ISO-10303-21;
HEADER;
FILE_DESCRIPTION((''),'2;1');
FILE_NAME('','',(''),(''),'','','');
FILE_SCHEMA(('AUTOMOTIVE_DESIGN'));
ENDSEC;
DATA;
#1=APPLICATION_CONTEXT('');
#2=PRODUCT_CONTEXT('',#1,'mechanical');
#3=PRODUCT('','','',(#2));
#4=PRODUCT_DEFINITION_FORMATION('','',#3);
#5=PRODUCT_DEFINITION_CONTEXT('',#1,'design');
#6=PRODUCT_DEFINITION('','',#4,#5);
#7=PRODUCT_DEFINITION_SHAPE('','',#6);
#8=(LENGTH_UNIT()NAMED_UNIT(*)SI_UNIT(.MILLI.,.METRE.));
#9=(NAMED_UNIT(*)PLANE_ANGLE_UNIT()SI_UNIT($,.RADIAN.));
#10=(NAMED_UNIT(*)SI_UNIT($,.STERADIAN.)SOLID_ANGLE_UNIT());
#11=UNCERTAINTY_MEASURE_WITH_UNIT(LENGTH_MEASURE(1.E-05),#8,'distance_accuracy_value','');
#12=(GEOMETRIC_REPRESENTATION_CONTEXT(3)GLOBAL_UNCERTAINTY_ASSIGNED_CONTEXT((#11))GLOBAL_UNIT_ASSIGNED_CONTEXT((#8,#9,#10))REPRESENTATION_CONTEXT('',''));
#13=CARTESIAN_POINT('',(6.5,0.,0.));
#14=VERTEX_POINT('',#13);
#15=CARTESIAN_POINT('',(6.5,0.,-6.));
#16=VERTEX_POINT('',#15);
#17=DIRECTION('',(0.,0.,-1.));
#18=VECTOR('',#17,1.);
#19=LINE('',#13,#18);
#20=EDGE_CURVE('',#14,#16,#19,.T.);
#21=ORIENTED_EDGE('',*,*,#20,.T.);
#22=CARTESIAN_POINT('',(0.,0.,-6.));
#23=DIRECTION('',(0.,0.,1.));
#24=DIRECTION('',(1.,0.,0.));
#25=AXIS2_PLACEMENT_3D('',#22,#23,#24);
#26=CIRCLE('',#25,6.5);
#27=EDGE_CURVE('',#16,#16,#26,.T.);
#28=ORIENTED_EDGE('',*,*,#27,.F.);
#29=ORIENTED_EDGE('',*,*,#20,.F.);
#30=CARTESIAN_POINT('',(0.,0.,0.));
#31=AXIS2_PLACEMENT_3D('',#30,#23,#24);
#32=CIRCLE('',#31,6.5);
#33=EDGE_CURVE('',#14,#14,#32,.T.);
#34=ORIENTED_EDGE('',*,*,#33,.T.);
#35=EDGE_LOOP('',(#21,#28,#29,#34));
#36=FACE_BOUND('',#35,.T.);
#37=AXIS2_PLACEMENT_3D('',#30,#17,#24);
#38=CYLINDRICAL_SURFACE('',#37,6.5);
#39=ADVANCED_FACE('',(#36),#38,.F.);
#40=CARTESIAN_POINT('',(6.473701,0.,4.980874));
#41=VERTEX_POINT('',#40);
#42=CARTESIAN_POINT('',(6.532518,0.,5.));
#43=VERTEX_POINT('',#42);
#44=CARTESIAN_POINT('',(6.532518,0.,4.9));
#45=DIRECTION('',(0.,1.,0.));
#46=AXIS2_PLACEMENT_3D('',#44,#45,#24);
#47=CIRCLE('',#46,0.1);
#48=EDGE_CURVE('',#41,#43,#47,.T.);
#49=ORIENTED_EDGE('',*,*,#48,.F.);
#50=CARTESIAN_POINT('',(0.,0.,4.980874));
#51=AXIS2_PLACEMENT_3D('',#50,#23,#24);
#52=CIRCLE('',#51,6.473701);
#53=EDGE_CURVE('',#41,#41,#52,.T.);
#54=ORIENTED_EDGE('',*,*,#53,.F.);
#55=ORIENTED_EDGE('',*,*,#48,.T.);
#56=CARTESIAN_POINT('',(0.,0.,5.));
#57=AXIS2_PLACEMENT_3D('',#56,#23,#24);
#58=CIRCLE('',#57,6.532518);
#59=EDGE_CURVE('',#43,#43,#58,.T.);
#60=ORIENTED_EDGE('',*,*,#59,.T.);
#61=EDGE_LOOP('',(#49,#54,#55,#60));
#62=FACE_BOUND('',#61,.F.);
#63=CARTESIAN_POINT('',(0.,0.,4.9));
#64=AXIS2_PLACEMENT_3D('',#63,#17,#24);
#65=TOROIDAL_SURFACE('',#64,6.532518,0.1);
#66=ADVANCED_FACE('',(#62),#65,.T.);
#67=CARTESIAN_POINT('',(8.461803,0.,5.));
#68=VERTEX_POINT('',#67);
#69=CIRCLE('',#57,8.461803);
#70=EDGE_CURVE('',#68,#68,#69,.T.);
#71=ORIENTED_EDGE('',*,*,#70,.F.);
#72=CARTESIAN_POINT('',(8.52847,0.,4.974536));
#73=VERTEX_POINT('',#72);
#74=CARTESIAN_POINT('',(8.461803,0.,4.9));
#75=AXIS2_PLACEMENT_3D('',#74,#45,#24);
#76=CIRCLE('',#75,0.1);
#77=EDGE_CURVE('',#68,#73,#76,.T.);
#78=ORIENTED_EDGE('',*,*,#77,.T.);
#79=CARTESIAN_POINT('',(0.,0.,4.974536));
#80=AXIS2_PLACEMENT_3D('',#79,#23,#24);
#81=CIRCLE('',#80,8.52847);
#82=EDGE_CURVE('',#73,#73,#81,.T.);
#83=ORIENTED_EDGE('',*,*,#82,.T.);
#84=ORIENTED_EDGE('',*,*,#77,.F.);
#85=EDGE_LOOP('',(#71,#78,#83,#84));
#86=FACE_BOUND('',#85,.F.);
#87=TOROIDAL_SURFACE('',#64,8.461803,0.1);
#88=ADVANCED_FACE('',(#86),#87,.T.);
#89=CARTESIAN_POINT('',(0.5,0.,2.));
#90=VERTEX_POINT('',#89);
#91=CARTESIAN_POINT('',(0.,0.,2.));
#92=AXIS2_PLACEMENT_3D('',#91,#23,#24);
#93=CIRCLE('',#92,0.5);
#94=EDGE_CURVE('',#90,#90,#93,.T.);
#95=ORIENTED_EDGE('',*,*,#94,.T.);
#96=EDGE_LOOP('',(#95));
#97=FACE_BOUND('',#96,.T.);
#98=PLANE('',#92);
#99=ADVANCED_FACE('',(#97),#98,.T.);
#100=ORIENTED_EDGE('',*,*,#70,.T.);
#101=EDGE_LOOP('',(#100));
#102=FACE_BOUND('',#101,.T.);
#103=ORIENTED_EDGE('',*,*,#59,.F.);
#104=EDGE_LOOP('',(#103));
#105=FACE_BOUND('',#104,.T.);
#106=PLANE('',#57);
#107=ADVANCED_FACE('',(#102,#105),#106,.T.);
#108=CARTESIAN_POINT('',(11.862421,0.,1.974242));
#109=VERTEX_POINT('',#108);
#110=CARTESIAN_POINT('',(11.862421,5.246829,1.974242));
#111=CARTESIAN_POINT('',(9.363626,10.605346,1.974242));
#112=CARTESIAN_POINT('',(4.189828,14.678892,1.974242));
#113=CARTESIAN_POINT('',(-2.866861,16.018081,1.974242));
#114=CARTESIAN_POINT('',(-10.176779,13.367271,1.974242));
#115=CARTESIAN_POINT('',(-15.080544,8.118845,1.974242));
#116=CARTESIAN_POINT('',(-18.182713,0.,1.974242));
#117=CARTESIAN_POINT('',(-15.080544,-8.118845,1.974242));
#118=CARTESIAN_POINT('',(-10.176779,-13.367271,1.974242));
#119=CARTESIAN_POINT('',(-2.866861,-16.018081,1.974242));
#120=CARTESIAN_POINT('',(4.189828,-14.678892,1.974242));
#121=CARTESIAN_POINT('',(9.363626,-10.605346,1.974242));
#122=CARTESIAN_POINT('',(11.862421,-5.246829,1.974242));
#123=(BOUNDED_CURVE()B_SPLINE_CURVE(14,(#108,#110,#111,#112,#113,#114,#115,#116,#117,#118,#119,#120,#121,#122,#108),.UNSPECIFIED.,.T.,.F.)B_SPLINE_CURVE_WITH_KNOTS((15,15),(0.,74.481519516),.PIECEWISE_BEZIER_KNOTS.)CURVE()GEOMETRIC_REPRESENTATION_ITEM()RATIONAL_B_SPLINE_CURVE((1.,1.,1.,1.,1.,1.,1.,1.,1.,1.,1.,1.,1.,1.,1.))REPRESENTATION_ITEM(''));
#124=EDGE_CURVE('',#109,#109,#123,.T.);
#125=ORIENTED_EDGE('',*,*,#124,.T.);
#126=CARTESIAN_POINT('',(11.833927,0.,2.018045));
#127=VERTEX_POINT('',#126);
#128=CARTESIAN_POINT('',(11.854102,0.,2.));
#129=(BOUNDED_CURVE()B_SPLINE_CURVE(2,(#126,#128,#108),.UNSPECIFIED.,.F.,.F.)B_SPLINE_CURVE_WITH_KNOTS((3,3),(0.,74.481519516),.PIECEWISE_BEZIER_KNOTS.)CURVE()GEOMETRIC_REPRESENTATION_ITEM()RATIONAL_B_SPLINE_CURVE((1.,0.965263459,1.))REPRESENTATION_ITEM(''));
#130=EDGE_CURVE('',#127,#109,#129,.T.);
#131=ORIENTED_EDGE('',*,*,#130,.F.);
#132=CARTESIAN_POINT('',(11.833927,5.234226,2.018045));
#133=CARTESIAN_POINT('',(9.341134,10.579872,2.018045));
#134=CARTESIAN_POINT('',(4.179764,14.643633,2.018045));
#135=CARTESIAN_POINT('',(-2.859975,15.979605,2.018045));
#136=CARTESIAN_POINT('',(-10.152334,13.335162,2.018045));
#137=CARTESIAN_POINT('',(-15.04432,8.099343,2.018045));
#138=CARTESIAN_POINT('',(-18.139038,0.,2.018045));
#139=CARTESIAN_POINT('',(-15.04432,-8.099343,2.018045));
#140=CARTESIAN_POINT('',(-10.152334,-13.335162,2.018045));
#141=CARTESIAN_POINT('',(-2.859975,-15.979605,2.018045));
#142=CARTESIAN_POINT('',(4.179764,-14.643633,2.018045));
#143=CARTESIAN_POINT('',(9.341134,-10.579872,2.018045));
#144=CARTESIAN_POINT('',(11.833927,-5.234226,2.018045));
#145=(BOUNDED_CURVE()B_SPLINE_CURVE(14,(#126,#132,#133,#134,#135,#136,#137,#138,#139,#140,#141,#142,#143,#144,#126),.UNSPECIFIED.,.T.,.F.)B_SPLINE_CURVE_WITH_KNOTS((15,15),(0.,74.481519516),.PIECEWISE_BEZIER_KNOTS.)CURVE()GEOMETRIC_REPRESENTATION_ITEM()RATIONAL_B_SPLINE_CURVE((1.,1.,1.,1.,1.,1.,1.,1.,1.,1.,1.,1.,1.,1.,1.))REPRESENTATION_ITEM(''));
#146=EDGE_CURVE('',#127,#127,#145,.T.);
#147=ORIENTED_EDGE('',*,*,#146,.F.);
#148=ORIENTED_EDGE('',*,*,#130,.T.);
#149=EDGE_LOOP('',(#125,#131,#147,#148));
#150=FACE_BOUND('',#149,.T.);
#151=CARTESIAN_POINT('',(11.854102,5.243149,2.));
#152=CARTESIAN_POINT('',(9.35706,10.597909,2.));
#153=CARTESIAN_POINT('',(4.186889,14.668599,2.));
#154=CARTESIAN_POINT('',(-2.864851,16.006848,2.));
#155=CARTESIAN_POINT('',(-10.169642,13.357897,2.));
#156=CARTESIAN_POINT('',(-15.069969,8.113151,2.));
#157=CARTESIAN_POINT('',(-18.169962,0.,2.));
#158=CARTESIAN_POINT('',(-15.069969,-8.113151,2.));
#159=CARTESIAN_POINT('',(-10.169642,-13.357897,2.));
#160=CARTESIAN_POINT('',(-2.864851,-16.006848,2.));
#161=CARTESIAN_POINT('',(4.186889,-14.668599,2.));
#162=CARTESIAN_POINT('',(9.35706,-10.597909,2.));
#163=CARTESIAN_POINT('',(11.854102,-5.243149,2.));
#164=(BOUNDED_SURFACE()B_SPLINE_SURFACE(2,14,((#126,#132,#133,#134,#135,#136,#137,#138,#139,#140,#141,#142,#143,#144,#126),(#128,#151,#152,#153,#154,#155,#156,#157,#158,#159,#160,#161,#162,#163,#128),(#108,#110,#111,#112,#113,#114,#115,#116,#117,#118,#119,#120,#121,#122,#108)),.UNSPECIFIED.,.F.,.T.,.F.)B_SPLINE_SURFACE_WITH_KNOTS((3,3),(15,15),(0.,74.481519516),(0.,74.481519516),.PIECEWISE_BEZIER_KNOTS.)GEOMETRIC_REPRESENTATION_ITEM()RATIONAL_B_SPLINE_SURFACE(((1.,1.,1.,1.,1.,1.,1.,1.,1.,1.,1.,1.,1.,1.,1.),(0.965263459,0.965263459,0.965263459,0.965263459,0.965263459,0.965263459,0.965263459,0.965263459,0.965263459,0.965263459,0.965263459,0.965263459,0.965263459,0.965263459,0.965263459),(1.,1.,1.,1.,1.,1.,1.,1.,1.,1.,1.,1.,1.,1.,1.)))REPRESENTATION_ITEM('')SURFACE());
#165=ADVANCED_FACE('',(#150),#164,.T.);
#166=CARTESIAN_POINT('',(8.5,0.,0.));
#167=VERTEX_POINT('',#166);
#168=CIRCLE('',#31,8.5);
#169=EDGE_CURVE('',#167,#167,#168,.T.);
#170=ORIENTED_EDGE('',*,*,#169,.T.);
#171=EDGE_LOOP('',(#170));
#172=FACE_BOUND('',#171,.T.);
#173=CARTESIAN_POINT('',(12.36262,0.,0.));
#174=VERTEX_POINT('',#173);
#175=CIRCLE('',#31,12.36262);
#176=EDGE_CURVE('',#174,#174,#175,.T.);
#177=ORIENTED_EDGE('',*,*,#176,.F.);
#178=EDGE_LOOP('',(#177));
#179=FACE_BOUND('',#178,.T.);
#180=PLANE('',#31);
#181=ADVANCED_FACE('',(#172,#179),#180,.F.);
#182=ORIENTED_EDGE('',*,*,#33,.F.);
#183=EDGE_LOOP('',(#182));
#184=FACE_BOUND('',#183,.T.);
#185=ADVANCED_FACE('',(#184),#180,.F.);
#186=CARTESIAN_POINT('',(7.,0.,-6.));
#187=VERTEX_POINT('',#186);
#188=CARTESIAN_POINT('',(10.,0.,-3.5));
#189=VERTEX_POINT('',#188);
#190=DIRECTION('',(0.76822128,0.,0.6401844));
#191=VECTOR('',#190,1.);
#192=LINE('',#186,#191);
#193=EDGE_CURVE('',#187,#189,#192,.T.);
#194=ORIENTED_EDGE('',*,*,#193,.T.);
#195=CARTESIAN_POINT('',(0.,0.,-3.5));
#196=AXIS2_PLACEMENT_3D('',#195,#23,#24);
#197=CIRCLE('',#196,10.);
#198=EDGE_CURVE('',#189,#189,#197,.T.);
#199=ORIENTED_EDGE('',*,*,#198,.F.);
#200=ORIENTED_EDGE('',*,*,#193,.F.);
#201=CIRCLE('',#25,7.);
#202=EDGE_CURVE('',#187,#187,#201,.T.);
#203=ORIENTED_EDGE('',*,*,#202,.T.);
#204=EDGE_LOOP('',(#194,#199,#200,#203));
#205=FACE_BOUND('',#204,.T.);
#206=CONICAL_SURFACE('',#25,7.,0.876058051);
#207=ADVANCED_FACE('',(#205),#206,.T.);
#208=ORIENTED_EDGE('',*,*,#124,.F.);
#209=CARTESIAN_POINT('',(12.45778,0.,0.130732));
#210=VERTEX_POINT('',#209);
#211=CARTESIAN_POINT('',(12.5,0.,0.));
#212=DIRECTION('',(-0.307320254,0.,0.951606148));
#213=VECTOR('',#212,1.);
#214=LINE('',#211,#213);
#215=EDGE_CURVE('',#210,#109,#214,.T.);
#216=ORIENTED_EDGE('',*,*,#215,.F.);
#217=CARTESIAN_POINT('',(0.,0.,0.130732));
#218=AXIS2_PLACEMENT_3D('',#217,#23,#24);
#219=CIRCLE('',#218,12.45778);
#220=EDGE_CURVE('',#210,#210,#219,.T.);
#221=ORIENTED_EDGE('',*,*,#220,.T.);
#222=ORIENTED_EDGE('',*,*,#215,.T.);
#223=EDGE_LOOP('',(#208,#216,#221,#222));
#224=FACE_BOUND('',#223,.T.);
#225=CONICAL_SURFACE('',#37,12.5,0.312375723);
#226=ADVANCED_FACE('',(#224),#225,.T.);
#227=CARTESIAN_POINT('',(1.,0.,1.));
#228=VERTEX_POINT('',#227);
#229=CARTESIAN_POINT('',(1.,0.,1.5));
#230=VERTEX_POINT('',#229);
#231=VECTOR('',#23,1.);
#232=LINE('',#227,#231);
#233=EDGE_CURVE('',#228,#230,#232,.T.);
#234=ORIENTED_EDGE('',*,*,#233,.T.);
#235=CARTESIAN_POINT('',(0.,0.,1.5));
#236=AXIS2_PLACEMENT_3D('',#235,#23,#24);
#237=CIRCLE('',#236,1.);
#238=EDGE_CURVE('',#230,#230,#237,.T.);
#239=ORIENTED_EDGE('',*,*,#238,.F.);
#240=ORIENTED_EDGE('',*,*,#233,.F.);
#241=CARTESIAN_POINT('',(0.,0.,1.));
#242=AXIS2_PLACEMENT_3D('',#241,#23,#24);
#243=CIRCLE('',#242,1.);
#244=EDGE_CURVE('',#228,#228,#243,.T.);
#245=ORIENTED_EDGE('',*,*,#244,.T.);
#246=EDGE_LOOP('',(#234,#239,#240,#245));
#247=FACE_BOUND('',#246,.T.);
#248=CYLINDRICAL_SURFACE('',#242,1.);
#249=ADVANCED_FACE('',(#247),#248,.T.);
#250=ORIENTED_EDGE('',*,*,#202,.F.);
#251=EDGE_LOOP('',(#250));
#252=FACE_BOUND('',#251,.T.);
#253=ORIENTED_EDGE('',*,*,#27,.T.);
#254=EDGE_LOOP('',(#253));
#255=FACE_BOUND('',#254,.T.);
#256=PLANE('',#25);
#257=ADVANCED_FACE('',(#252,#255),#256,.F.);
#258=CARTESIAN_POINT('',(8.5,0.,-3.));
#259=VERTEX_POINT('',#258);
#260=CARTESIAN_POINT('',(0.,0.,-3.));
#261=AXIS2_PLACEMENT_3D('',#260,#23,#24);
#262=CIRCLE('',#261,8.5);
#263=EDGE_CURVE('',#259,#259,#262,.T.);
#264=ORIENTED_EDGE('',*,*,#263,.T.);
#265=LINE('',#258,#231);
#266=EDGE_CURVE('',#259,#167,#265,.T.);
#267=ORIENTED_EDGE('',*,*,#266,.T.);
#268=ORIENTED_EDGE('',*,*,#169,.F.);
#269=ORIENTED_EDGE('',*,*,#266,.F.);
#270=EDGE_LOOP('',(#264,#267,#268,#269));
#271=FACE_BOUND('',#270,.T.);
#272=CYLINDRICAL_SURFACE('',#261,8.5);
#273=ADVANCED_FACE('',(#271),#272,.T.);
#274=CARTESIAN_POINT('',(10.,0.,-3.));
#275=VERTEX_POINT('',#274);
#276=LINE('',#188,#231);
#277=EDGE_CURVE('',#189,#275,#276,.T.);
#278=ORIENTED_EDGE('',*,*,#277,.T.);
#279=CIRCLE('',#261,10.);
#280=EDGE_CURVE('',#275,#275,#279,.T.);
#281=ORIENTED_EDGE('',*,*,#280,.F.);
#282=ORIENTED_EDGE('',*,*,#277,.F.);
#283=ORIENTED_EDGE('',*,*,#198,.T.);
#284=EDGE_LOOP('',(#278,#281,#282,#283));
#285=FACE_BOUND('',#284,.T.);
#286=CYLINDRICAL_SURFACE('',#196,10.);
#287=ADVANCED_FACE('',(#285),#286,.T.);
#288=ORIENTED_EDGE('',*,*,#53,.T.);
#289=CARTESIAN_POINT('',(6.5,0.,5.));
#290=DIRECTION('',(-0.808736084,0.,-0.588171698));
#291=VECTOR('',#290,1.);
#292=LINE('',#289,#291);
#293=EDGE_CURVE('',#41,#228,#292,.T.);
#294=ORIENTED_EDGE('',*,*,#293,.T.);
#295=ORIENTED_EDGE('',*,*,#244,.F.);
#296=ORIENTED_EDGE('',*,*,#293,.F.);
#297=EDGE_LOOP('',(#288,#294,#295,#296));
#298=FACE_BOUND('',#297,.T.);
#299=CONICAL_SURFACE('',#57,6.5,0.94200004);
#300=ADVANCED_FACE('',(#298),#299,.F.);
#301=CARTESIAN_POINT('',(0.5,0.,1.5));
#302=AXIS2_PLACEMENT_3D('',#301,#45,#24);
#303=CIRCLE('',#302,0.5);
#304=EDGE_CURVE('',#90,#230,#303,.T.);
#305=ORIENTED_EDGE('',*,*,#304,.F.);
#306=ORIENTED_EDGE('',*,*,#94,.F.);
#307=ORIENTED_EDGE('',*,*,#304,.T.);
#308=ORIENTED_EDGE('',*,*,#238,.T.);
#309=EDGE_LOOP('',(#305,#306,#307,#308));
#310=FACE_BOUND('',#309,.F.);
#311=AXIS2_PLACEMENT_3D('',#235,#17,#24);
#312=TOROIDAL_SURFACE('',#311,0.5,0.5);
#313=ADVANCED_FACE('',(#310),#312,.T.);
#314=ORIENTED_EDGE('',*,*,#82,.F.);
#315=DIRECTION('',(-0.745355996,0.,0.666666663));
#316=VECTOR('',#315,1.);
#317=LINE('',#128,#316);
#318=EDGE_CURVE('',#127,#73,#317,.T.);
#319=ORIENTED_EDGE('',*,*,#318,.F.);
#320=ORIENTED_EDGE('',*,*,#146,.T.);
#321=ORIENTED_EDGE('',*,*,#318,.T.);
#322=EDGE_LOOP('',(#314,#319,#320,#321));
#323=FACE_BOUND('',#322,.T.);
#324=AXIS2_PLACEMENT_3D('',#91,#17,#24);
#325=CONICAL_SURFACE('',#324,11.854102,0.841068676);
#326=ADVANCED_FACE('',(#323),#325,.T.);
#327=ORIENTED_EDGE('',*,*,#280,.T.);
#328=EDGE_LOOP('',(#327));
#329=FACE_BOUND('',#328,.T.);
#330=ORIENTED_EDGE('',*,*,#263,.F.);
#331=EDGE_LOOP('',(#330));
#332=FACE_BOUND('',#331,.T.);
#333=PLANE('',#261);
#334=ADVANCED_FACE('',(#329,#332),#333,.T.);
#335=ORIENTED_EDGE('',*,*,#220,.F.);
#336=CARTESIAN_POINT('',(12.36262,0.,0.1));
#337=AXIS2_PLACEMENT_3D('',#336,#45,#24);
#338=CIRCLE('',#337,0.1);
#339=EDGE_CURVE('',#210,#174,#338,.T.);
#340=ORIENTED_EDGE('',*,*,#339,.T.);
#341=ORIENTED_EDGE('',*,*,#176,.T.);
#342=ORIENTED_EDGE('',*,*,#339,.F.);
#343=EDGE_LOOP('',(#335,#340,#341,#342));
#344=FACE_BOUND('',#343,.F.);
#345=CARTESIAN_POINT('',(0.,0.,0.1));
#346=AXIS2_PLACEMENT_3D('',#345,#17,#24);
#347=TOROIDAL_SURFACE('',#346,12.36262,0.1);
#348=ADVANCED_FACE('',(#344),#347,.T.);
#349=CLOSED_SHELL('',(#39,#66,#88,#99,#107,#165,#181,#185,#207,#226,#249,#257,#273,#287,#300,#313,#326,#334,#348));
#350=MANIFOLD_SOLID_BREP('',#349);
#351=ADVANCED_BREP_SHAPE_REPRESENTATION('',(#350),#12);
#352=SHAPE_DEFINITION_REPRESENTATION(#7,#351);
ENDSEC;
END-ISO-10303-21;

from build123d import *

# Parameters (mm, degrees)
F2_R = 0.5
F3_R = 0.1


with BuildPart() as f1:
    # F0 (on Front) → F1 (revolve)
    with BuildSketch(Plane.XZ):
        Polygon((1, 2), (0, 2), (0, 0), (6.5, 0), (6.5, -6), (7, -6), (10, -3.5), (10, -3), (8.5, -3), (8.5, 0), (12.5, 0), (11.854102, 2), (8.5, 5), (6.5, 5), (1, 1), align=None)
    revolve(axis=Axis((0, 0, 1), (0, 0, 1)))

    # F2
    f2_edges = [f1.edges().sort_by_distance(p)[0] for p in [
        (-1, 0, 2),
    ]]
    fillet(f2_edges, radius=F2_R)

    # F3
    f3_edges = [f1.edges().sort_by_distance(p)[0] for p in [
        (-6.5, 0, 5),
        (-8.5, 0, 5),
        (-11.854102, 0, 2),
        (-12.5, 0, 0),
    ]]
    fillet(f3_edges, radius=F3_R)


solid = f1.part
